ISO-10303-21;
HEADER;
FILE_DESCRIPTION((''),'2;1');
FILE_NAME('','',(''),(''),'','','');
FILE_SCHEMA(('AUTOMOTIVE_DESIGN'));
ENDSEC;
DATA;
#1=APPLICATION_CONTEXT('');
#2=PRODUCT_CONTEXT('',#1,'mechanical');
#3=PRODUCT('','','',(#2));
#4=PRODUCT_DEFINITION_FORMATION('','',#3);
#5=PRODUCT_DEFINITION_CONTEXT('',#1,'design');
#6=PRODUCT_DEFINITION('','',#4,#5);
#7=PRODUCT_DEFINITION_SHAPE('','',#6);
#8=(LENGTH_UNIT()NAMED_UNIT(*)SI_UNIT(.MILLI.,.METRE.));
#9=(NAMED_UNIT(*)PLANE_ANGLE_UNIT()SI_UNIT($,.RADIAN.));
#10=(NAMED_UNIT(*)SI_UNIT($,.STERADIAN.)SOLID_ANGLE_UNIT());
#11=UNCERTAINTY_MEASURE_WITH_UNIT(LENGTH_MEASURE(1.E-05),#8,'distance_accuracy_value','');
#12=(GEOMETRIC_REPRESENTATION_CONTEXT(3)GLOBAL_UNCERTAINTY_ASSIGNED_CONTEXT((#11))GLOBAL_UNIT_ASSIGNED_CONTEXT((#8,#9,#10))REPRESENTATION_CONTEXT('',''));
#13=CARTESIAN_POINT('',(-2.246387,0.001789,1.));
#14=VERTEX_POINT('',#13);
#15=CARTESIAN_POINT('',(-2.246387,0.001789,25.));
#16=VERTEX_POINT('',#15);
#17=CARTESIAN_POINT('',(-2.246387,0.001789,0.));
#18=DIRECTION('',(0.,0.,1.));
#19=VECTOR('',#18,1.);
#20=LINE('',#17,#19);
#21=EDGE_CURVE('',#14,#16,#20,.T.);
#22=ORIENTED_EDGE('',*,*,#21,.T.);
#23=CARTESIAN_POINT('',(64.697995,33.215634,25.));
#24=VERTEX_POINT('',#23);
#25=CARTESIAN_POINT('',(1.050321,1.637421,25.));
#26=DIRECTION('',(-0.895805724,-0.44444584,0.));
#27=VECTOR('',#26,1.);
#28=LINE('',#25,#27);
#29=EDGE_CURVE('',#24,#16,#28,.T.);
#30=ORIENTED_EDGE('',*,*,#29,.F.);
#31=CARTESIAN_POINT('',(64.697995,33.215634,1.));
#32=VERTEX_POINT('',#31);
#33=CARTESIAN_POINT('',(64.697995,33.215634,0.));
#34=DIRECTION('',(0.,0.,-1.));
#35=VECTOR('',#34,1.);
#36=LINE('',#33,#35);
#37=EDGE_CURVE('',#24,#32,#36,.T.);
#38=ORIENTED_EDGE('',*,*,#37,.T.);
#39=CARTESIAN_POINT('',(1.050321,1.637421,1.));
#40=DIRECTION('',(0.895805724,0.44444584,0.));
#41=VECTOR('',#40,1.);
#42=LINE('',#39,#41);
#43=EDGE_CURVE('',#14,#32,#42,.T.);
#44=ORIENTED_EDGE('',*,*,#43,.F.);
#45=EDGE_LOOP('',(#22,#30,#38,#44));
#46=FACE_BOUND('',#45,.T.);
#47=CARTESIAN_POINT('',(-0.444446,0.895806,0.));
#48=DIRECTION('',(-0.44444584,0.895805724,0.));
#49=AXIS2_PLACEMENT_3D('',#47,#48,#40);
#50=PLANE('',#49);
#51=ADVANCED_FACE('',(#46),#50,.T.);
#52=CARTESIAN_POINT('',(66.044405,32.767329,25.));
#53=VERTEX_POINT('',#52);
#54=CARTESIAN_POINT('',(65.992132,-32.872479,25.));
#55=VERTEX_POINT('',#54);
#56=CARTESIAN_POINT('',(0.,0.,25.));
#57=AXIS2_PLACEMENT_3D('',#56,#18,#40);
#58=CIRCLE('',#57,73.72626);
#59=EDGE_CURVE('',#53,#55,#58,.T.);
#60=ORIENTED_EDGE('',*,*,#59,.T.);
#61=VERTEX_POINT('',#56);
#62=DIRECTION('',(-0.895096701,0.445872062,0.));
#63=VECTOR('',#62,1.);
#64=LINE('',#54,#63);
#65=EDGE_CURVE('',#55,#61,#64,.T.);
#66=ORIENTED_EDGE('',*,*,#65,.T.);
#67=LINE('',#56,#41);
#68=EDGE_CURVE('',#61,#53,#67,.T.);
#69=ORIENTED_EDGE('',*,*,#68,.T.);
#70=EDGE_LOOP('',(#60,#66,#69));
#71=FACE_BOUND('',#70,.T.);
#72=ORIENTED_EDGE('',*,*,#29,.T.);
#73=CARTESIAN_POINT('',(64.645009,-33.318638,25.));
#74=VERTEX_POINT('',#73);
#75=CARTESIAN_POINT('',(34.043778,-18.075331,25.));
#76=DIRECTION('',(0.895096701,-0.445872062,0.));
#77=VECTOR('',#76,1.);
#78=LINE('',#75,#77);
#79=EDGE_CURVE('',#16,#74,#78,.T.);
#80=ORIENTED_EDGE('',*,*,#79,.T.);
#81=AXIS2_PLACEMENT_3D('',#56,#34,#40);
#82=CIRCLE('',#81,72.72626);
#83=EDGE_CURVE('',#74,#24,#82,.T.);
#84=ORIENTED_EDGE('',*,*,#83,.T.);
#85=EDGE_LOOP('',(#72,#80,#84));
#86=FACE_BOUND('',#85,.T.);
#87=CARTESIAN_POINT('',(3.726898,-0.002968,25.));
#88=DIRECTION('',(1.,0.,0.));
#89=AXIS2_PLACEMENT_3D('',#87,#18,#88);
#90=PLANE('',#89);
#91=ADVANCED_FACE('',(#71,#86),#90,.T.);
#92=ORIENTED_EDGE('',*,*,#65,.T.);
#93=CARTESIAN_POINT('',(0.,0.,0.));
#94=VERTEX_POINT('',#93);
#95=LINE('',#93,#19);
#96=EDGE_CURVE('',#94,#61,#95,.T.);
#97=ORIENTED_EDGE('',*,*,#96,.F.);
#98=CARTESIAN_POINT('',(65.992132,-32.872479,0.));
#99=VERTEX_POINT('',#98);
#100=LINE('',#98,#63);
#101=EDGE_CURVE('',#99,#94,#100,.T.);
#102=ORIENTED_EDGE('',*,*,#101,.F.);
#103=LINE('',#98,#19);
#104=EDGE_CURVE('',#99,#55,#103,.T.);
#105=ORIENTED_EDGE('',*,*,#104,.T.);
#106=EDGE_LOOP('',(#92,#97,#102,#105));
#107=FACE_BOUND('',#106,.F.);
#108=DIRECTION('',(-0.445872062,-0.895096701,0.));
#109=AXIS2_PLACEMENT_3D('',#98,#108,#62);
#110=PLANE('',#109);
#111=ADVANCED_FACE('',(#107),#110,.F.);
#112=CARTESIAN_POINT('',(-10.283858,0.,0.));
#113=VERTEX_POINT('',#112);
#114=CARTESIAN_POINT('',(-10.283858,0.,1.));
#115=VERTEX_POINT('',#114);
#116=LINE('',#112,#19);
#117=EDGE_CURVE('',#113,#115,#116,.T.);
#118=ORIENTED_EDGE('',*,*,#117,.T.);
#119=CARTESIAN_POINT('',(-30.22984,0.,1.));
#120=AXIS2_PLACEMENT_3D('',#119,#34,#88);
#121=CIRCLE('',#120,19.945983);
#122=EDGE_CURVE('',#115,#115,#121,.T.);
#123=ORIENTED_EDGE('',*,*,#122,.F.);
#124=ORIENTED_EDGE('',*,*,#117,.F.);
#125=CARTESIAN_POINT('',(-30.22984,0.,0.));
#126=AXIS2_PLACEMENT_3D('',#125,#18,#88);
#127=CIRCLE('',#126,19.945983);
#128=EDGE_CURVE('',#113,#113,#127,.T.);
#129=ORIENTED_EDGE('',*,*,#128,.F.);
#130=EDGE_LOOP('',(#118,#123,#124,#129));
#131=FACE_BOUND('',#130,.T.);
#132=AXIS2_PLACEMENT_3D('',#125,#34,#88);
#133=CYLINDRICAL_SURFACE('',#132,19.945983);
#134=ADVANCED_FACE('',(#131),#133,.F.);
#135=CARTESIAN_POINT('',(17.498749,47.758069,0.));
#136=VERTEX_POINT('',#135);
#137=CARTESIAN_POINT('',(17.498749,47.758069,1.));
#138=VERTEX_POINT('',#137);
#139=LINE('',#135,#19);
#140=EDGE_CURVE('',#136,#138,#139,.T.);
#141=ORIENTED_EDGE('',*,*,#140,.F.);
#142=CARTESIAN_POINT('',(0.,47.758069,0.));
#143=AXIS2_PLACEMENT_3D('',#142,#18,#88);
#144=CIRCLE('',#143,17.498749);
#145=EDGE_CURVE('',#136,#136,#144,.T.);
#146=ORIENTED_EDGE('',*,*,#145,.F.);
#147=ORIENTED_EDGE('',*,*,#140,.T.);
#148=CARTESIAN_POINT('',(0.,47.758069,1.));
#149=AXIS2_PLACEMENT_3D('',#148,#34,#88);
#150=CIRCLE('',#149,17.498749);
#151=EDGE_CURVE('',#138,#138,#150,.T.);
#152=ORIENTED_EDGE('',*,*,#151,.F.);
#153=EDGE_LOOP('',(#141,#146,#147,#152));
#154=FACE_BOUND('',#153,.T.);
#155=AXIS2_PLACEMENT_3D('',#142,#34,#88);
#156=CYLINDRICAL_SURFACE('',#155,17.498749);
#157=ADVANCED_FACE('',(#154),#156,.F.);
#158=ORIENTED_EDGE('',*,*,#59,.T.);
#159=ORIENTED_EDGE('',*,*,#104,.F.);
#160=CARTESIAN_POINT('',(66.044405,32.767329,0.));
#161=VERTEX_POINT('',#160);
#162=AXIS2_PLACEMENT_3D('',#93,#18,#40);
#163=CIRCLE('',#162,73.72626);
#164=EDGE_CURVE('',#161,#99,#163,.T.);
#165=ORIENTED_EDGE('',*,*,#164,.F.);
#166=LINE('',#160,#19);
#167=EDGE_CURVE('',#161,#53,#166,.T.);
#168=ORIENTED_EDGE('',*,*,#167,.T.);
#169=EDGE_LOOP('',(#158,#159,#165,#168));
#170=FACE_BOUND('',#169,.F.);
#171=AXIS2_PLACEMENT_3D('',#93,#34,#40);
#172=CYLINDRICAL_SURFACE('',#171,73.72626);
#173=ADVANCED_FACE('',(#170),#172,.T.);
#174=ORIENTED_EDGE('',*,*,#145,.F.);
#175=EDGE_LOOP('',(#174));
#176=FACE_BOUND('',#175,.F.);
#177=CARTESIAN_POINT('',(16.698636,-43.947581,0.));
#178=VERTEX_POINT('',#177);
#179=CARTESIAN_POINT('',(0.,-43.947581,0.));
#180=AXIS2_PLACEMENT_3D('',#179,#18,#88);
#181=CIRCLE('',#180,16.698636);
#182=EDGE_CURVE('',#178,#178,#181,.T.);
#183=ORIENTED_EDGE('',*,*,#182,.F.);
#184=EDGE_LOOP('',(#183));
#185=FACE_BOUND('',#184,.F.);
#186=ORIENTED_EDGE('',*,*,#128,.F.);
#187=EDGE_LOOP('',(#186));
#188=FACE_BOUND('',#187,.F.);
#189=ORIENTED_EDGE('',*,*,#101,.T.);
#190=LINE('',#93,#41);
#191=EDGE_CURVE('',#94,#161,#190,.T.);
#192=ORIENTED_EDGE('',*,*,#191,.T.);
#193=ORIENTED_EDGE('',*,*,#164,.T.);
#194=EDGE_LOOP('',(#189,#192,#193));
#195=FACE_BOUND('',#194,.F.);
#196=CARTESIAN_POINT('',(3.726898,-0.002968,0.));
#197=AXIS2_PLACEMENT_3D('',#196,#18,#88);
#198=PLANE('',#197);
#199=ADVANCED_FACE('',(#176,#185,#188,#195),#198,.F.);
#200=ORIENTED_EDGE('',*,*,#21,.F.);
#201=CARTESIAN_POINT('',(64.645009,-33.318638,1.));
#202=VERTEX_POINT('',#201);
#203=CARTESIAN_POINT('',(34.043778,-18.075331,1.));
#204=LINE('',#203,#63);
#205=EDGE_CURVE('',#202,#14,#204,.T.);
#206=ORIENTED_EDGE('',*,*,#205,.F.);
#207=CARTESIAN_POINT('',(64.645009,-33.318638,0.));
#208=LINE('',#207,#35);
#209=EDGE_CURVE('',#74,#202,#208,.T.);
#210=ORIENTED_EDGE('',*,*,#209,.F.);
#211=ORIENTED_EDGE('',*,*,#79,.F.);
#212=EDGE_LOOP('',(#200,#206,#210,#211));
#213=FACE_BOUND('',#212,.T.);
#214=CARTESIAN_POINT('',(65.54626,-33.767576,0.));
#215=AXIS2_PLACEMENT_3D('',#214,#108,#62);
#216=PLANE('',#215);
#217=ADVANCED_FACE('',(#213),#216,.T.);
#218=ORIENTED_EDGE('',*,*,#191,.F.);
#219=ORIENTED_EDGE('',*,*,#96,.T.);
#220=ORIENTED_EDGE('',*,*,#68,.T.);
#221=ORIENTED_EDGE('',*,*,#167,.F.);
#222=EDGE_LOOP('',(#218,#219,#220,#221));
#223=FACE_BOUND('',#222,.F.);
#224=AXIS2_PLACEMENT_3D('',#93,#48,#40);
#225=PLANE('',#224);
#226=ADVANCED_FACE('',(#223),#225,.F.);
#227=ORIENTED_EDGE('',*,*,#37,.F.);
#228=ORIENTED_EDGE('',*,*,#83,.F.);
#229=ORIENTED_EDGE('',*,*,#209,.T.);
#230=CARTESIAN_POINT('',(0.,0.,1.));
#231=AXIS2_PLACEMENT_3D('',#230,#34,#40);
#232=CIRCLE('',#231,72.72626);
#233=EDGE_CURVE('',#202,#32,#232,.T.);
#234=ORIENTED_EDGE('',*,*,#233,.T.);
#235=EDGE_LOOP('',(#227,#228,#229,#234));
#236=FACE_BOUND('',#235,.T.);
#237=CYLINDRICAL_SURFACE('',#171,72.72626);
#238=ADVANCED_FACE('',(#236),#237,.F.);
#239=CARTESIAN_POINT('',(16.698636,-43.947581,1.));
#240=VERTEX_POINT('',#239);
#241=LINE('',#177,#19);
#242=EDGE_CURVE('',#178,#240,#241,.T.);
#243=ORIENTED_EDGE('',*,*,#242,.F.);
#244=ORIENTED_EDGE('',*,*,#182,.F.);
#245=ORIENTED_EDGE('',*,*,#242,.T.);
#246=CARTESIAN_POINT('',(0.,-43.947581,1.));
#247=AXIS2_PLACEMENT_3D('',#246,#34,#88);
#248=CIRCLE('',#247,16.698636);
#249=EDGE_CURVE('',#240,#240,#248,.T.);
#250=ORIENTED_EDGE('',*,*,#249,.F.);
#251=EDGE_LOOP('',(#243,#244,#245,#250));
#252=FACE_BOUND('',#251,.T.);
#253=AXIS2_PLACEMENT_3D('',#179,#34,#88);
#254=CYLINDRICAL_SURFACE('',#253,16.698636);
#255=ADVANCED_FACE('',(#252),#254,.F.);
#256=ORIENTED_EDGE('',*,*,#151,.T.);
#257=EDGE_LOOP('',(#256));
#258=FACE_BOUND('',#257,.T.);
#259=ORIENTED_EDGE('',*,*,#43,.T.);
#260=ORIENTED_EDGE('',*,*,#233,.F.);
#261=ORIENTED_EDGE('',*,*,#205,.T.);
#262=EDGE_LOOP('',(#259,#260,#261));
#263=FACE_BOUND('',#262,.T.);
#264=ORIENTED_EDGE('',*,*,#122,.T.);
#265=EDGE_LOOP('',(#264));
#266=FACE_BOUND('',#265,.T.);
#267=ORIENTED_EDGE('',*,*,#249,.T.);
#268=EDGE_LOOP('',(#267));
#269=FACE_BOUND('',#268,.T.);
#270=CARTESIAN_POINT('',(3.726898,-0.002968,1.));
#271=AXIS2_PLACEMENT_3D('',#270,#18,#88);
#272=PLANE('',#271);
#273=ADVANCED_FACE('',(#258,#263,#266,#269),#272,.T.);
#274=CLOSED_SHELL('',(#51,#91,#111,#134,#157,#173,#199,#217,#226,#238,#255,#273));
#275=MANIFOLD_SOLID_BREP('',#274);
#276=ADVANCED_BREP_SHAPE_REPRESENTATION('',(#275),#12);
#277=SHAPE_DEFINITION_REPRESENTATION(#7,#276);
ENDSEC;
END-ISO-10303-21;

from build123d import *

# Parameters (mm, degrees)
F1_DEPTH = 25
F2_T     = -1
F3_R     = 17.4987493925
F3_R_2   = 19.9459826056
F3_R_3   = 16.6986363046
F4_DEPTH = 25


with BuildPart() as f1:
    # F0 (on Top) → F1 (new body)
    with BuildSketch(Plane.XY):
        with BuildLine():
            Line((0, 0), (66.0444054393, 32.7673294005))
            ThreePointArc((66.0444054393, 32.7673294005), (-73.7262362975, 0.0587134026), (65.9921318293, -32.872479409))
            Line((65.9921318293, -32.872479409), (0, 0))
        make_face()
    extrude(amount=F1_DEPTH)

    # F2
    f2_openings = [f1.faces().sort_by_distance(p)[0] for p in [
        (-8.163422, 0.006501, 25),
    ]]
    offset(amount=F2_T, openings=f2_openings, kind=Kind.INTERSECTION)

    # F3 (on Top) → F4 (cut)
    with BuildSketch(Plane.XY):
        with Locations((0, 47.7580688894)):
            Circle(F3_R)
        with Locations((-30.2298404276, 0)):
            Circle(F3_R_2)
        with Locations((0, -43.9475812018)):
            Circle(F3_R_3)
    extrude(amount=F4_DEPTH, mode=Mode.SUBTRACT)


solid = f1.part
